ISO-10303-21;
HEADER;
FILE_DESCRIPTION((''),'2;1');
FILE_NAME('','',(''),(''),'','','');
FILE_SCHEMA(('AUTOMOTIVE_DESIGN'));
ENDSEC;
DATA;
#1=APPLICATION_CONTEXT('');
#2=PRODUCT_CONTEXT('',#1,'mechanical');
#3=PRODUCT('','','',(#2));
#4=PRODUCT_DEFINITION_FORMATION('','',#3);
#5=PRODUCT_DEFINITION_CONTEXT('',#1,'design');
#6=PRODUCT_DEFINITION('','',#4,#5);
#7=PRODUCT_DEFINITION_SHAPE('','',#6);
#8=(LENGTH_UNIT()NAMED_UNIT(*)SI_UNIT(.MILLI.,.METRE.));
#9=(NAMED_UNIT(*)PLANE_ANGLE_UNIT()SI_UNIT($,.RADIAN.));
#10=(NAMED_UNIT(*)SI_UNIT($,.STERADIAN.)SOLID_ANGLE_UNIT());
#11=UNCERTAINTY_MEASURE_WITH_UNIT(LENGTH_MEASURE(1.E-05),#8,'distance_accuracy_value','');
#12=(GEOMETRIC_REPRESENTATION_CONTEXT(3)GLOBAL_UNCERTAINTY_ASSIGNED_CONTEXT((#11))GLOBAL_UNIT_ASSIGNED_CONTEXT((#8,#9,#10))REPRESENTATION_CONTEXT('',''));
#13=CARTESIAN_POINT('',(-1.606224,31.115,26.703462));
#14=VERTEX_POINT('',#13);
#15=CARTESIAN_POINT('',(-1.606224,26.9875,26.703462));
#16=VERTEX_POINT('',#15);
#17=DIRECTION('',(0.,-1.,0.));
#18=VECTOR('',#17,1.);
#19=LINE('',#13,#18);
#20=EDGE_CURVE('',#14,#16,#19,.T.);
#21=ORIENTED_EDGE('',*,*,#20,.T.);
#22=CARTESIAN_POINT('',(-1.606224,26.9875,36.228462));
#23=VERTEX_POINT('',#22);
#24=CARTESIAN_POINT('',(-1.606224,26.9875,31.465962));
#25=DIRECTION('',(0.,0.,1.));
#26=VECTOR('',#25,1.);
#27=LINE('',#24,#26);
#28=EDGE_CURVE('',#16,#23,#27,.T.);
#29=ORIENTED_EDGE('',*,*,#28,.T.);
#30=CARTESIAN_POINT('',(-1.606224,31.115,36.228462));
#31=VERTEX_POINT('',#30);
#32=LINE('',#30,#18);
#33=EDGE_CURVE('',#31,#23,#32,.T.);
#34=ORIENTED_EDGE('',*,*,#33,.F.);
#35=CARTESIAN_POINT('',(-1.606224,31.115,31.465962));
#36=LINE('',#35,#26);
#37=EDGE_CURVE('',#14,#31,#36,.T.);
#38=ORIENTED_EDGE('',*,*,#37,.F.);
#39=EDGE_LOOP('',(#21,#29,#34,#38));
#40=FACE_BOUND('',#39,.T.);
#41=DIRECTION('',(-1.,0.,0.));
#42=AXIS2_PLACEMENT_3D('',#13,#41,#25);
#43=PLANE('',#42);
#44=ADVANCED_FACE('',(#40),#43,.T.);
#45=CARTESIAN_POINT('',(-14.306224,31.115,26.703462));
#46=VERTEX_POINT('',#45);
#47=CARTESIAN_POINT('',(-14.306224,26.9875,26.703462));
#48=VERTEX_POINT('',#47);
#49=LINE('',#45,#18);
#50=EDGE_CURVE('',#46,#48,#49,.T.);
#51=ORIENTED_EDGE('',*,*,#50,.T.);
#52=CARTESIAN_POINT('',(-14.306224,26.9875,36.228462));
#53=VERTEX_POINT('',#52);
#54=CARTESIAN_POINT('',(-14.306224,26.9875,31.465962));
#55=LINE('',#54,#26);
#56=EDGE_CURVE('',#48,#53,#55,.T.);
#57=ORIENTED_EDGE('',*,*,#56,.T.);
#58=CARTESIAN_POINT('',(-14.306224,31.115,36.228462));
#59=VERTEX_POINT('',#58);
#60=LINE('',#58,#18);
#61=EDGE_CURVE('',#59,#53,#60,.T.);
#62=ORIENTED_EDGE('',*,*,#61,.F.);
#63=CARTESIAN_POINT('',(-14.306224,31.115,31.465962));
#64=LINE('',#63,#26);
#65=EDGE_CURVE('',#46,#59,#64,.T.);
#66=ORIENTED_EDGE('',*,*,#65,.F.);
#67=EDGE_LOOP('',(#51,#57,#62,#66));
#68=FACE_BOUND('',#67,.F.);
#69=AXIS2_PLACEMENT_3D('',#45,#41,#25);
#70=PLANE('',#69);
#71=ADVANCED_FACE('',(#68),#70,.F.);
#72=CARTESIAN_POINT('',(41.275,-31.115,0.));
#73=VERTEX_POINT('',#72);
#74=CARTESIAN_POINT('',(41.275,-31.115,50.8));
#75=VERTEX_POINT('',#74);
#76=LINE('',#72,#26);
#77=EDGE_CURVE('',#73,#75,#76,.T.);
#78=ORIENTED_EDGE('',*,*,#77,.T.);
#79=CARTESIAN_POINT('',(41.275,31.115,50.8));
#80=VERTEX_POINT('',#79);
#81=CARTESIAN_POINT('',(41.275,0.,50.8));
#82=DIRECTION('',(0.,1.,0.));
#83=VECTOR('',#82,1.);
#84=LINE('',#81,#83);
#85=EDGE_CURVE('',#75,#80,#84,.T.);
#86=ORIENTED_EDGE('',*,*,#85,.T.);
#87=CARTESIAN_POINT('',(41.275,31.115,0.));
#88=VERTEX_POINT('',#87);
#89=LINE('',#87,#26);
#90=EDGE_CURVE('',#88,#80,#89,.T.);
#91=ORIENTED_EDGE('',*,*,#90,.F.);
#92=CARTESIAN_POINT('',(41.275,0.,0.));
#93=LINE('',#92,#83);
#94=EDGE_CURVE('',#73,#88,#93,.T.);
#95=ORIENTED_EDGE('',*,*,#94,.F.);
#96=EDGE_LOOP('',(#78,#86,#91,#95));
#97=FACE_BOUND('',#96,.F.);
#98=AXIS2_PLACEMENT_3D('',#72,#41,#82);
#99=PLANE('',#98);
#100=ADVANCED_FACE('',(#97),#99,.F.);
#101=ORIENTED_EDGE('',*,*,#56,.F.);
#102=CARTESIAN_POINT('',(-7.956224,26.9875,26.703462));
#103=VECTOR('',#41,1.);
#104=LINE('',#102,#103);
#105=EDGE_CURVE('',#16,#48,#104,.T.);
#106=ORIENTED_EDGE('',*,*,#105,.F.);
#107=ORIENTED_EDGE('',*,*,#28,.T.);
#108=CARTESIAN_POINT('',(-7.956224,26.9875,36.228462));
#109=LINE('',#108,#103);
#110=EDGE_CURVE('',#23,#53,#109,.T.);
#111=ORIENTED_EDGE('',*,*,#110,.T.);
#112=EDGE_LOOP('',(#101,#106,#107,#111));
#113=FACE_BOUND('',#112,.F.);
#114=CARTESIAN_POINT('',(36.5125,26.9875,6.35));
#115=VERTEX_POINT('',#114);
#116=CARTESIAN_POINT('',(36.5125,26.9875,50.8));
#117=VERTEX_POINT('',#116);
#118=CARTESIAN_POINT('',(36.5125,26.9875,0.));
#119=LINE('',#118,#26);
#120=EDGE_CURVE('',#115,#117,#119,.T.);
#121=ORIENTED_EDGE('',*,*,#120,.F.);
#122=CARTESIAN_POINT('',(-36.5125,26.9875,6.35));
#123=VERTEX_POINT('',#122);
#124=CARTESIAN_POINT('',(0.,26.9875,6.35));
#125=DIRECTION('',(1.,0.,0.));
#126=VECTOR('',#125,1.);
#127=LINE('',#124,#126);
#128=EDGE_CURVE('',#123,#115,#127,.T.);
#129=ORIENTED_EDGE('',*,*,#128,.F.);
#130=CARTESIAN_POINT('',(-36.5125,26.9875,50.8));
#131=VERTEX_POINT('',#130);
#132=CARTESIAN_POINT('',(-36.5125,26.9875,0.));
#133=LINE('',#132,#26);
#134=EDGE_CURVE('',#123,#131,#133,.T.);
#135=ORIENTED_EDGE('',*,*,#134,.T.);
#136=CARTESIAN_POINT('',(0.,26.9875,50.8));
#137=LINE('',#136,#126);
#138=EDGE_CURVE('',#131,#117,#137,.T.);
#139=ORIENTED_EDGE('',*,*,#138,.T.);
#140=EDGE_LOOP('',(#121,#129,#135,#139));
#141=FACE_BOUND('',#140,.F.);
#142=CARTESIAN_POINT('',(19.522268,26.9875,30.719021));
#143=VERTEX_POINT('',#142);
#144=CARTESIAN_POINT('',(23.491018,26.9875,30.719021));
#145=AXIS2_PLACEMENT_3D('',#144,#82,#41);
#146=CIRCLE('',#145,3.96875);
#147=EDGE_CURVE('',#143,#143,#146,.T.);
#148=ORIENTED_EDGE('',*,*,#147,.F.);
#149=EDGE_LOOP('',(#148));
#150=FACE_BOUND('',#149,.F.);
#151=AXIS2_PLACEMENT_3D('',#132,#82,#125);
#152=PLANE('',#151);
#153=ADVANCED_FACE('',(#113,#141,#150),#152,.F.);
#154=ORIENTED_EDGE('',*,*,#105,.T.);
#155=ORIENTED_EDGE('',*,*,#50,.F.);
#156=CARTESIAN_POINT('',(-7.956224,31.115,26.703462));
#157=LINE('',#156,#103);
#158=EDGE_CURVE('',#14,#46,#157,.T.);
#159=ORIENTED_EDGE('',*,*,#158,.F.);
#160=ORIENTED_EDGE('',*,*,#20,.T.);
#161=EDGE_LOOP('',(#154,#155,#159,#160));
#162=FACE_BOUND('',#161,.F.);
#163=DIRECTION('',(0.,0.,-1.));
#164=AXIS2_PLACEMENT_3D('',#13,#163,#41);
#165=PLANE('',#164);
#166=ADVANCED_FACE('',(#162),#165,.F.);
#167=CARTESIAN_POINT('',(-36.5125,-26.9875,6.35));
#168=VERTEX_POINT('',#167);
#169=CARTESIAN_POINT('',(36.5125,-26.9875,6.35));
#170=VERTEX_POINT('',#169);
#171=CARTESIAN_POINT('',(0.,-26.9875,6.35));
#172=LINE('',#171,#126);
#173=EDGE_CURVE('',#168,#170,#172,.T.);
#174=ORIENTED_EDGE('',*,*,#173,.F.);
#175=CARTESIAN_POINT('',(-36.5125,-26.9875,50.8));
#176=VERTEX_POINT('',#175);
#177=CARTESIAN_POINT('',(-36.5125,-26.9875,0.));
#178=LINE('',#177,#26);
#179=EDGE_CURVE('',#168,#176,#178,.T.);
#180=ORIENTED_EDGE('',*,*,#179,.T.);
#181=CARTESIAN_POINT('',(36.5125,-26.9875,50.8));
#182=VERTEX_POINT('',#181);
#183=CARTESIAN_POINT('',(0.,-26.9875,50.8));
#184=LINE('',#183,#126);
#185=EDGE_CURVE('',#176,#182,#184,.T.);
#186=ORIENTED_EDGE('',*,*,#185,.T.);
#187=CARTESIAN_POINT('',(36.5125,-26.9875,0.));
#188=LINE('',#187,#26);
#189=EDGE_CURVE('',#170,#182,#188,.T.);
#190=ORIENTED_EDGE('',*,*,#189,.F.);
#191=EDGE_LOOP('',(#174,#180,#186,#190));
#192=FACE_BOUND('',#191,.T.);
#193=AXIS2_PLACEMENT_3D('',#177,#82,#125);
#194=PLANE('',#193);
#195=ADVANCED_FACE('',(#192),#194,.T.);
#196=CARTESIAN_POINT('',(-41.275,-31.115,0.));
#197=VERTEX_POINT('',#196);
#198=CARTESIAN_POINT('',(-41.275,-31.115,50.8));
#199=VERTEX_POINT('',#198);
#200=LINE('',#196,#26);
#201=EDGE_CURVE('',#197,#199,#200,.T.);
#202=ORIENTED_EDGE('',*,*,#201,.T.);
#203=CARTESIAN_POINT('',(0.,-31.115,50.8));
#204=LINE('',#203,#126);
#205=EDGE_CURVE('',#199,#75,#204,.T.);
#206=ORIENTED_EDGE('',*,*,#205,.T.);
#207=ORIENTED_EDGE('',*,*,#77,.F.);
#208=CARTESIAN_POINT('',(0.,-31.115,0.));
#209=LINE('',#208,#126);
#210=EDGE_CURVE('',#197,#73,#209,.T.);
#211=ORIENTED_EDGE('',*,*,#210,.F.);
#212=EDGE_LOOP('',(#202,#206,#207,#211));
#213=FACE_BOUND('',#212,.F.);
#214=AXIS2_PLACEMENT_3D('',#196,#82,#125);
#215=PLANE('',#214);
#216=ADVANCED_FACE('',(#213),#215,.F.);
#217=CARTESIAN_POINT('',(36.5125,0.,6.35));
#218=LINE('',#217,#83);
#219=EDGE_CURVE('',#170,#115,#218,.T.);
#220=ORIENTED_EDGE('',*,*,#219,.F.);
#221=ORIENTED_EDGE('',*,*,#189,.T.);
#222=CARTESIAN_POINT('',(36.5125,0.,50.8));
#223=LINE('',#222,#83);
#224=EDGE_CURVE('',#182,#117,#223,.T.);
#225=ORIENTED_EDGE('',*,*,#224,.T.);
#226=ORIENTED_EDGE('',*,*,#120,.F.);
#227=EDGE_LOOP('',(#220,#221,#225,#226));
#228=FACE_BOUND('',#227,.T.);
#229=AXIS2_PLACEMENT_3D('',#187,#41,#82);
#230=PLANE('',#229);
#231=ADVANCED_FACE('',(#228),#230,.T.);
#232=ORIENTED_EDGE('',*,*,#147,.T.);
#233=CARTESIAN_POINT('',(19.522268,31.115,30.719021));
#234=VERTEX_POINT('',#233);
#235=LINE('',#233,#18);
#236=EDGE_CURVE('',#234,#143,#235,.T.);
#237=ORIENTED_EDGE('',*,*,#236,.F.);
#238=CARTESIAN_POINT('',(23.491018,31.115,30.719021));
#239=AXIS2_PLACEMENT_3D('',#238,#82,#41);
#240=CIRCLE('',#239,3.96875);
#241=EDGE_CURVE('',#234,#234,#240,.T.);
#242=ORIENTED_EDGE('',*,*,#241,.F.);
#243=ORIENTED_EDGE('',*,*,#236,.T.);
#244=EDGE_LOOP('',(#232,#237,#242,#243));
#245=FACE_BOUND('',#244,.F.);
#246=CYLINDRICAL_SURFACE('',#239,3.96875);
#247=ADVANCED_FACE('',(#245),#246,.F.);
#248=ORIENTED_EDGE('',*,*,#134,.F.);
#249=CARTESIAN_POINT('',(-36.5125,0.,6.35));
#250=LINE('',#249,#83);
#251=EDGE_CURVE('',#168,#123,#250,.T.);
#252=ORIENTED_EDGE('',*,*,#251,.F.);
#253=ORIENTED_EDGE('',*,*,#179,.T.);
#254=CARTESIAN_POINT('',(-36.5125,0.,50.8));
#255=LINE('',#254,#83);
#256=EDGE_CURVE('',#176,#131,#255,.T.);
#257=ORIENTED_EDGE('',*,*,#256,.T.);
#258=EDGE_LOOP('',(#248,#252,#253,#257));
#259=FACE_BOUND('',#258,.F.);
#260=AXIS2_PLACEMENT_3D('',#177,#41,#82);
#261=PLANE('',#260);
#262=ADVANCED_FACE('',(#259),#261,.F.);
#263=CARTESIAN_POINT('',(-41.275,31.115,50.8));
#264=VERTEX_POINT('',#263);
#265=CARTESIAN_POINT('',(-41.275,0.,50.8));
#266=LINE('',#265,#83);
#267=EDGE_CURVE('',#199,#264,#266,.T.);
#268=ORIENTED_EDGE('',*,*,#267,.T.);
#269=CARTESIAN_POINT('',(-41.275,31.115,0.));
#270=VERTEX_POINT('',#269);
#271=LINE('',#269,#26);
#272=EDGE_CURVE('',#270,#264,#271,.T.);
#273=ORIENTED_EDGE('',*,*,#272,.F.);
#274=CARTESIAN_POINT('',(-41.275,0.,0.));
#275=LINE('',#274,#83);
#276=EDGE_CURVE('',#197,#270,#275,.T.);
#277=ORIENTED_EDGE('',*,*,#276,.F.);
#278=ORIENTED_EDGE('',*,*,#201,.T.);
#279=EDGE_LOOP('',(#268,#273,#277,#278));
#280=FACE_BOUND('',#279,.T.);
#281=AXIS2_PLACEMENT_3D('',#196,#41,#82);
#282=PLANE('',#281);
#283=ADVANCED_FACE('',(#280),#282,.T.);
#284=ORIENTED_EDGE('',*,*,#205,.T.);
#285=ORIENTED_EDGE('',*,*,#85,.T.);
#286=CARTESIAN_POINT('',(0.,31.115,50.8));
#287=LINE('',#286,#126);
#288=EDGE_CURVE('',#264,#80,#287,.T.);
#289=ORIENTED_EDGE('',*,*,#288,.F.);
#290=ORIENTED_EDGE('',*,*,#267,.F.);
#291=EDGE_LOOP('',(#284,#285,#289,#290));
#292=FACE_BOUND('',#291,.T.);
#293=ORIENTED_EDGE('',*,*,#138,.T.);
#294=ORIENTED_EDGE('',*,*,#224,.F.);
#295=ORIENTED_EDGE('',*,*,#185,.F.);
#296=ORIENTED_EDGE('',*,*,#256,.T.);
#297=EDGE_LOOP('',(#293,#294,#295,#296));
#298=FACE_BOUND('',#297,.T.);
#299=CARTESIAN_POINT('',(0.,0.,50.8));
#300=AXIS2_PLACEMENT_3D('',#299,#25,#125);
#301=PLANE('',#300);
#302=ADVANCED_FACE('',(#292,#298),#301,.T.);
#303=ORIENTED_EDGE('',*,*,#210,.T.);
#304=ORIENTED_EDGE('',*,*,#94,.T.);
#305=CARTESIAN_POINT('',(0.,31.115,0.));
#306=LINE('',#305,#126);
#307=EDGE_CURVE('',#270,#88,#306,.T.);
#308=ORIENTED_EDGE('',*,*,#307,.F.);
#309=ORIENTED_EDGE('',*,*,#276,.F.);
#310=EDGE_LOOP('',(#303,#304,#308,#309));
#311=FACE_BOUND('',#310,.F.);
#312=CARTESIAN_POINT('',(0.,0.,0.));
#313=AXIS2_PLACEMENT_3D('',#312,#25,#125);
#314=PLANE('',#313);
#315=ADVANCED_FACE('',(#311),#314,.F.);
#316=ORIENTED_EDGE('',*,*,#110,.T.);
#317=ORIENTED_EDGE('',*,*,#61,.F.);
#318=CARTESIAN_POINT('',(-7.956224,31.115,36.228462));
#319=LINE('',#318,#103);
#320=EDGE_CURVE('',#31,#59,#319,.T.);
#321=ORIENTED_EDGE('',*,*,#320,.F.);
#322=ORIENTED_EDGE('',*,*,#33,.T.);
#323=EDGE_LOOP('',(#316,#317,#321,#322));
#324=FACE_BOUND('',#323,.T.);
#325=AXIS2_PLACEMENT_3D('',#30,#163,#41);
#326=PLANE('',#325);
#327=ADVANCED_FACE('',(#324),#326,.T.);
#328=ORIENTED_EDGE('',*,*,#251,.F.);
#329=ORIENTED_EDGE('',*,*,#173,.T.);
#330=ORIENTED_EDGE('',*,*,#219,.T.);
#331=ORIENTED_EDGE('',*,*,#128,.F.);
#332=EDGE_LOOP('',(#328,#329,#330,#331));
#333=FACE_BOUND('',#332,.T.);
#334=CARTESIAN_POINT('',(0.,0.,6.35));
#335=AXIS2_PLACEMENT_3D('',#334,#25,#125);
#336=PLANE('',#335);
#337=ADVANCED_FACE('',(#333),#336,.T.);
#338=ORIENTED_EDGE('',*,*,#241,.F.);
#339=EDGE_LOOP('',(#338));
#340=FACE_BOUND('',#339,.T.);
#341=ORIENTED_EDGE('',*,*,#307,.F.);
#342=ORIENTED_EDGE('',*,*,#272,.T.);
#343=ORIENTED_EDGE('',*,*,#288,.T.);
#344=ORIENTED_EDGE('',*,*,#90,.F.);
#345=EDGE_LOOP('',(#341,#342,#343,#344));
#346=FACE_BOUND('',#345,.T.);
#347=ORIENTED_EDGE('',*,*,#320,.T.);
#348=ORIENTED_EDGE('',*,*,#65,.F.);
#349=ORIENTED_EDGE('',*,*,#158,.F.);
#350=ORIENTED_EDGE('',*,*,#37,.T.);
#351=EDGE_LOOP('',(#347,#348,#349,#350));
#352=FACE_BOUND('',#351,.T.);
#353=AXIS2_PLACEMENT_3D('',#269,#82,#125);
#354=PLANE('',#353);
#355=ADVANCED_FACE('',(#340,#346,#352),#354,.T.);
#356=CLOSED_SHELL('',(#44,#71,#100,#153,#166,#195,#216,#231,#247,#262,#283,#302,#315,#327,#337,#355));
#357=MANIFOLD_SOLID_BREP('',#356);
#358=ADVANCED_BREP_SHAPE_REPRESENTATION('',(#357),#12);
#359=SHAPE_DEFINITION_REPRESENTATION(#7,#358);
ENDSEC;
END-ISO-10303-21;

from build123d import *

# Parameters (mm, degrees)
F0_W     = 82.55
F0_H     = 62.23
F0_W_2   = 73.025
F0_H_2   = 53.975
F1_DEPTH = 50.8
F2_DEPTH = 6.35
F3_R     = 3.96875
F4_DEPTH = 4.1275
F3_W     = 12.7
F3_H     = 9.525
F5_DEPTH = 4.1275


with BuildPart() as f1:
    # F0 (on Top) → F1 (new body)
    with BuildSketch(Plane.XY):
        Rectangle(F0_W, F0_H)
        Rectangle(F0_W_2, F0_H_2, mode=Mode.SUBTRACT)
    extrude(amount=F1_DEPTH)

    # F0 (on Top) → F2 (join)
    with BuildSketch(Plane.XY):
        Rectangle(F0_W_2, F0_H_2)
    extrude(amount=F2_DEPTH)

    # F3 (on face) → F4 (cut, through all)
    with BuildSketch(Plane(origin=(0, 31.115, 0), x_dir=(-1, 0, 0), z_dir=(0, 1, 0))):
        with Locations((-23.491018, 30.719021)):
            Circle(F3_R)
    extrude(amount=-F4_DEPTH, mode=Mode.SUBTRACT)

    # F3 (on face) → F5 (cut, through all)
    with BuildSketch(Plane(origin=(0, 31.115, 0), x_dir=(-1, 0, 0), z_dir=(0, 1, 0))):
        with Locations((7.956224, 31.465962)):
            Rectangle(F3_W, F3_H)
    extrude(amount=-F5_DEPTH, mode=Mode.SUBTRACT)


solid = f1.part
